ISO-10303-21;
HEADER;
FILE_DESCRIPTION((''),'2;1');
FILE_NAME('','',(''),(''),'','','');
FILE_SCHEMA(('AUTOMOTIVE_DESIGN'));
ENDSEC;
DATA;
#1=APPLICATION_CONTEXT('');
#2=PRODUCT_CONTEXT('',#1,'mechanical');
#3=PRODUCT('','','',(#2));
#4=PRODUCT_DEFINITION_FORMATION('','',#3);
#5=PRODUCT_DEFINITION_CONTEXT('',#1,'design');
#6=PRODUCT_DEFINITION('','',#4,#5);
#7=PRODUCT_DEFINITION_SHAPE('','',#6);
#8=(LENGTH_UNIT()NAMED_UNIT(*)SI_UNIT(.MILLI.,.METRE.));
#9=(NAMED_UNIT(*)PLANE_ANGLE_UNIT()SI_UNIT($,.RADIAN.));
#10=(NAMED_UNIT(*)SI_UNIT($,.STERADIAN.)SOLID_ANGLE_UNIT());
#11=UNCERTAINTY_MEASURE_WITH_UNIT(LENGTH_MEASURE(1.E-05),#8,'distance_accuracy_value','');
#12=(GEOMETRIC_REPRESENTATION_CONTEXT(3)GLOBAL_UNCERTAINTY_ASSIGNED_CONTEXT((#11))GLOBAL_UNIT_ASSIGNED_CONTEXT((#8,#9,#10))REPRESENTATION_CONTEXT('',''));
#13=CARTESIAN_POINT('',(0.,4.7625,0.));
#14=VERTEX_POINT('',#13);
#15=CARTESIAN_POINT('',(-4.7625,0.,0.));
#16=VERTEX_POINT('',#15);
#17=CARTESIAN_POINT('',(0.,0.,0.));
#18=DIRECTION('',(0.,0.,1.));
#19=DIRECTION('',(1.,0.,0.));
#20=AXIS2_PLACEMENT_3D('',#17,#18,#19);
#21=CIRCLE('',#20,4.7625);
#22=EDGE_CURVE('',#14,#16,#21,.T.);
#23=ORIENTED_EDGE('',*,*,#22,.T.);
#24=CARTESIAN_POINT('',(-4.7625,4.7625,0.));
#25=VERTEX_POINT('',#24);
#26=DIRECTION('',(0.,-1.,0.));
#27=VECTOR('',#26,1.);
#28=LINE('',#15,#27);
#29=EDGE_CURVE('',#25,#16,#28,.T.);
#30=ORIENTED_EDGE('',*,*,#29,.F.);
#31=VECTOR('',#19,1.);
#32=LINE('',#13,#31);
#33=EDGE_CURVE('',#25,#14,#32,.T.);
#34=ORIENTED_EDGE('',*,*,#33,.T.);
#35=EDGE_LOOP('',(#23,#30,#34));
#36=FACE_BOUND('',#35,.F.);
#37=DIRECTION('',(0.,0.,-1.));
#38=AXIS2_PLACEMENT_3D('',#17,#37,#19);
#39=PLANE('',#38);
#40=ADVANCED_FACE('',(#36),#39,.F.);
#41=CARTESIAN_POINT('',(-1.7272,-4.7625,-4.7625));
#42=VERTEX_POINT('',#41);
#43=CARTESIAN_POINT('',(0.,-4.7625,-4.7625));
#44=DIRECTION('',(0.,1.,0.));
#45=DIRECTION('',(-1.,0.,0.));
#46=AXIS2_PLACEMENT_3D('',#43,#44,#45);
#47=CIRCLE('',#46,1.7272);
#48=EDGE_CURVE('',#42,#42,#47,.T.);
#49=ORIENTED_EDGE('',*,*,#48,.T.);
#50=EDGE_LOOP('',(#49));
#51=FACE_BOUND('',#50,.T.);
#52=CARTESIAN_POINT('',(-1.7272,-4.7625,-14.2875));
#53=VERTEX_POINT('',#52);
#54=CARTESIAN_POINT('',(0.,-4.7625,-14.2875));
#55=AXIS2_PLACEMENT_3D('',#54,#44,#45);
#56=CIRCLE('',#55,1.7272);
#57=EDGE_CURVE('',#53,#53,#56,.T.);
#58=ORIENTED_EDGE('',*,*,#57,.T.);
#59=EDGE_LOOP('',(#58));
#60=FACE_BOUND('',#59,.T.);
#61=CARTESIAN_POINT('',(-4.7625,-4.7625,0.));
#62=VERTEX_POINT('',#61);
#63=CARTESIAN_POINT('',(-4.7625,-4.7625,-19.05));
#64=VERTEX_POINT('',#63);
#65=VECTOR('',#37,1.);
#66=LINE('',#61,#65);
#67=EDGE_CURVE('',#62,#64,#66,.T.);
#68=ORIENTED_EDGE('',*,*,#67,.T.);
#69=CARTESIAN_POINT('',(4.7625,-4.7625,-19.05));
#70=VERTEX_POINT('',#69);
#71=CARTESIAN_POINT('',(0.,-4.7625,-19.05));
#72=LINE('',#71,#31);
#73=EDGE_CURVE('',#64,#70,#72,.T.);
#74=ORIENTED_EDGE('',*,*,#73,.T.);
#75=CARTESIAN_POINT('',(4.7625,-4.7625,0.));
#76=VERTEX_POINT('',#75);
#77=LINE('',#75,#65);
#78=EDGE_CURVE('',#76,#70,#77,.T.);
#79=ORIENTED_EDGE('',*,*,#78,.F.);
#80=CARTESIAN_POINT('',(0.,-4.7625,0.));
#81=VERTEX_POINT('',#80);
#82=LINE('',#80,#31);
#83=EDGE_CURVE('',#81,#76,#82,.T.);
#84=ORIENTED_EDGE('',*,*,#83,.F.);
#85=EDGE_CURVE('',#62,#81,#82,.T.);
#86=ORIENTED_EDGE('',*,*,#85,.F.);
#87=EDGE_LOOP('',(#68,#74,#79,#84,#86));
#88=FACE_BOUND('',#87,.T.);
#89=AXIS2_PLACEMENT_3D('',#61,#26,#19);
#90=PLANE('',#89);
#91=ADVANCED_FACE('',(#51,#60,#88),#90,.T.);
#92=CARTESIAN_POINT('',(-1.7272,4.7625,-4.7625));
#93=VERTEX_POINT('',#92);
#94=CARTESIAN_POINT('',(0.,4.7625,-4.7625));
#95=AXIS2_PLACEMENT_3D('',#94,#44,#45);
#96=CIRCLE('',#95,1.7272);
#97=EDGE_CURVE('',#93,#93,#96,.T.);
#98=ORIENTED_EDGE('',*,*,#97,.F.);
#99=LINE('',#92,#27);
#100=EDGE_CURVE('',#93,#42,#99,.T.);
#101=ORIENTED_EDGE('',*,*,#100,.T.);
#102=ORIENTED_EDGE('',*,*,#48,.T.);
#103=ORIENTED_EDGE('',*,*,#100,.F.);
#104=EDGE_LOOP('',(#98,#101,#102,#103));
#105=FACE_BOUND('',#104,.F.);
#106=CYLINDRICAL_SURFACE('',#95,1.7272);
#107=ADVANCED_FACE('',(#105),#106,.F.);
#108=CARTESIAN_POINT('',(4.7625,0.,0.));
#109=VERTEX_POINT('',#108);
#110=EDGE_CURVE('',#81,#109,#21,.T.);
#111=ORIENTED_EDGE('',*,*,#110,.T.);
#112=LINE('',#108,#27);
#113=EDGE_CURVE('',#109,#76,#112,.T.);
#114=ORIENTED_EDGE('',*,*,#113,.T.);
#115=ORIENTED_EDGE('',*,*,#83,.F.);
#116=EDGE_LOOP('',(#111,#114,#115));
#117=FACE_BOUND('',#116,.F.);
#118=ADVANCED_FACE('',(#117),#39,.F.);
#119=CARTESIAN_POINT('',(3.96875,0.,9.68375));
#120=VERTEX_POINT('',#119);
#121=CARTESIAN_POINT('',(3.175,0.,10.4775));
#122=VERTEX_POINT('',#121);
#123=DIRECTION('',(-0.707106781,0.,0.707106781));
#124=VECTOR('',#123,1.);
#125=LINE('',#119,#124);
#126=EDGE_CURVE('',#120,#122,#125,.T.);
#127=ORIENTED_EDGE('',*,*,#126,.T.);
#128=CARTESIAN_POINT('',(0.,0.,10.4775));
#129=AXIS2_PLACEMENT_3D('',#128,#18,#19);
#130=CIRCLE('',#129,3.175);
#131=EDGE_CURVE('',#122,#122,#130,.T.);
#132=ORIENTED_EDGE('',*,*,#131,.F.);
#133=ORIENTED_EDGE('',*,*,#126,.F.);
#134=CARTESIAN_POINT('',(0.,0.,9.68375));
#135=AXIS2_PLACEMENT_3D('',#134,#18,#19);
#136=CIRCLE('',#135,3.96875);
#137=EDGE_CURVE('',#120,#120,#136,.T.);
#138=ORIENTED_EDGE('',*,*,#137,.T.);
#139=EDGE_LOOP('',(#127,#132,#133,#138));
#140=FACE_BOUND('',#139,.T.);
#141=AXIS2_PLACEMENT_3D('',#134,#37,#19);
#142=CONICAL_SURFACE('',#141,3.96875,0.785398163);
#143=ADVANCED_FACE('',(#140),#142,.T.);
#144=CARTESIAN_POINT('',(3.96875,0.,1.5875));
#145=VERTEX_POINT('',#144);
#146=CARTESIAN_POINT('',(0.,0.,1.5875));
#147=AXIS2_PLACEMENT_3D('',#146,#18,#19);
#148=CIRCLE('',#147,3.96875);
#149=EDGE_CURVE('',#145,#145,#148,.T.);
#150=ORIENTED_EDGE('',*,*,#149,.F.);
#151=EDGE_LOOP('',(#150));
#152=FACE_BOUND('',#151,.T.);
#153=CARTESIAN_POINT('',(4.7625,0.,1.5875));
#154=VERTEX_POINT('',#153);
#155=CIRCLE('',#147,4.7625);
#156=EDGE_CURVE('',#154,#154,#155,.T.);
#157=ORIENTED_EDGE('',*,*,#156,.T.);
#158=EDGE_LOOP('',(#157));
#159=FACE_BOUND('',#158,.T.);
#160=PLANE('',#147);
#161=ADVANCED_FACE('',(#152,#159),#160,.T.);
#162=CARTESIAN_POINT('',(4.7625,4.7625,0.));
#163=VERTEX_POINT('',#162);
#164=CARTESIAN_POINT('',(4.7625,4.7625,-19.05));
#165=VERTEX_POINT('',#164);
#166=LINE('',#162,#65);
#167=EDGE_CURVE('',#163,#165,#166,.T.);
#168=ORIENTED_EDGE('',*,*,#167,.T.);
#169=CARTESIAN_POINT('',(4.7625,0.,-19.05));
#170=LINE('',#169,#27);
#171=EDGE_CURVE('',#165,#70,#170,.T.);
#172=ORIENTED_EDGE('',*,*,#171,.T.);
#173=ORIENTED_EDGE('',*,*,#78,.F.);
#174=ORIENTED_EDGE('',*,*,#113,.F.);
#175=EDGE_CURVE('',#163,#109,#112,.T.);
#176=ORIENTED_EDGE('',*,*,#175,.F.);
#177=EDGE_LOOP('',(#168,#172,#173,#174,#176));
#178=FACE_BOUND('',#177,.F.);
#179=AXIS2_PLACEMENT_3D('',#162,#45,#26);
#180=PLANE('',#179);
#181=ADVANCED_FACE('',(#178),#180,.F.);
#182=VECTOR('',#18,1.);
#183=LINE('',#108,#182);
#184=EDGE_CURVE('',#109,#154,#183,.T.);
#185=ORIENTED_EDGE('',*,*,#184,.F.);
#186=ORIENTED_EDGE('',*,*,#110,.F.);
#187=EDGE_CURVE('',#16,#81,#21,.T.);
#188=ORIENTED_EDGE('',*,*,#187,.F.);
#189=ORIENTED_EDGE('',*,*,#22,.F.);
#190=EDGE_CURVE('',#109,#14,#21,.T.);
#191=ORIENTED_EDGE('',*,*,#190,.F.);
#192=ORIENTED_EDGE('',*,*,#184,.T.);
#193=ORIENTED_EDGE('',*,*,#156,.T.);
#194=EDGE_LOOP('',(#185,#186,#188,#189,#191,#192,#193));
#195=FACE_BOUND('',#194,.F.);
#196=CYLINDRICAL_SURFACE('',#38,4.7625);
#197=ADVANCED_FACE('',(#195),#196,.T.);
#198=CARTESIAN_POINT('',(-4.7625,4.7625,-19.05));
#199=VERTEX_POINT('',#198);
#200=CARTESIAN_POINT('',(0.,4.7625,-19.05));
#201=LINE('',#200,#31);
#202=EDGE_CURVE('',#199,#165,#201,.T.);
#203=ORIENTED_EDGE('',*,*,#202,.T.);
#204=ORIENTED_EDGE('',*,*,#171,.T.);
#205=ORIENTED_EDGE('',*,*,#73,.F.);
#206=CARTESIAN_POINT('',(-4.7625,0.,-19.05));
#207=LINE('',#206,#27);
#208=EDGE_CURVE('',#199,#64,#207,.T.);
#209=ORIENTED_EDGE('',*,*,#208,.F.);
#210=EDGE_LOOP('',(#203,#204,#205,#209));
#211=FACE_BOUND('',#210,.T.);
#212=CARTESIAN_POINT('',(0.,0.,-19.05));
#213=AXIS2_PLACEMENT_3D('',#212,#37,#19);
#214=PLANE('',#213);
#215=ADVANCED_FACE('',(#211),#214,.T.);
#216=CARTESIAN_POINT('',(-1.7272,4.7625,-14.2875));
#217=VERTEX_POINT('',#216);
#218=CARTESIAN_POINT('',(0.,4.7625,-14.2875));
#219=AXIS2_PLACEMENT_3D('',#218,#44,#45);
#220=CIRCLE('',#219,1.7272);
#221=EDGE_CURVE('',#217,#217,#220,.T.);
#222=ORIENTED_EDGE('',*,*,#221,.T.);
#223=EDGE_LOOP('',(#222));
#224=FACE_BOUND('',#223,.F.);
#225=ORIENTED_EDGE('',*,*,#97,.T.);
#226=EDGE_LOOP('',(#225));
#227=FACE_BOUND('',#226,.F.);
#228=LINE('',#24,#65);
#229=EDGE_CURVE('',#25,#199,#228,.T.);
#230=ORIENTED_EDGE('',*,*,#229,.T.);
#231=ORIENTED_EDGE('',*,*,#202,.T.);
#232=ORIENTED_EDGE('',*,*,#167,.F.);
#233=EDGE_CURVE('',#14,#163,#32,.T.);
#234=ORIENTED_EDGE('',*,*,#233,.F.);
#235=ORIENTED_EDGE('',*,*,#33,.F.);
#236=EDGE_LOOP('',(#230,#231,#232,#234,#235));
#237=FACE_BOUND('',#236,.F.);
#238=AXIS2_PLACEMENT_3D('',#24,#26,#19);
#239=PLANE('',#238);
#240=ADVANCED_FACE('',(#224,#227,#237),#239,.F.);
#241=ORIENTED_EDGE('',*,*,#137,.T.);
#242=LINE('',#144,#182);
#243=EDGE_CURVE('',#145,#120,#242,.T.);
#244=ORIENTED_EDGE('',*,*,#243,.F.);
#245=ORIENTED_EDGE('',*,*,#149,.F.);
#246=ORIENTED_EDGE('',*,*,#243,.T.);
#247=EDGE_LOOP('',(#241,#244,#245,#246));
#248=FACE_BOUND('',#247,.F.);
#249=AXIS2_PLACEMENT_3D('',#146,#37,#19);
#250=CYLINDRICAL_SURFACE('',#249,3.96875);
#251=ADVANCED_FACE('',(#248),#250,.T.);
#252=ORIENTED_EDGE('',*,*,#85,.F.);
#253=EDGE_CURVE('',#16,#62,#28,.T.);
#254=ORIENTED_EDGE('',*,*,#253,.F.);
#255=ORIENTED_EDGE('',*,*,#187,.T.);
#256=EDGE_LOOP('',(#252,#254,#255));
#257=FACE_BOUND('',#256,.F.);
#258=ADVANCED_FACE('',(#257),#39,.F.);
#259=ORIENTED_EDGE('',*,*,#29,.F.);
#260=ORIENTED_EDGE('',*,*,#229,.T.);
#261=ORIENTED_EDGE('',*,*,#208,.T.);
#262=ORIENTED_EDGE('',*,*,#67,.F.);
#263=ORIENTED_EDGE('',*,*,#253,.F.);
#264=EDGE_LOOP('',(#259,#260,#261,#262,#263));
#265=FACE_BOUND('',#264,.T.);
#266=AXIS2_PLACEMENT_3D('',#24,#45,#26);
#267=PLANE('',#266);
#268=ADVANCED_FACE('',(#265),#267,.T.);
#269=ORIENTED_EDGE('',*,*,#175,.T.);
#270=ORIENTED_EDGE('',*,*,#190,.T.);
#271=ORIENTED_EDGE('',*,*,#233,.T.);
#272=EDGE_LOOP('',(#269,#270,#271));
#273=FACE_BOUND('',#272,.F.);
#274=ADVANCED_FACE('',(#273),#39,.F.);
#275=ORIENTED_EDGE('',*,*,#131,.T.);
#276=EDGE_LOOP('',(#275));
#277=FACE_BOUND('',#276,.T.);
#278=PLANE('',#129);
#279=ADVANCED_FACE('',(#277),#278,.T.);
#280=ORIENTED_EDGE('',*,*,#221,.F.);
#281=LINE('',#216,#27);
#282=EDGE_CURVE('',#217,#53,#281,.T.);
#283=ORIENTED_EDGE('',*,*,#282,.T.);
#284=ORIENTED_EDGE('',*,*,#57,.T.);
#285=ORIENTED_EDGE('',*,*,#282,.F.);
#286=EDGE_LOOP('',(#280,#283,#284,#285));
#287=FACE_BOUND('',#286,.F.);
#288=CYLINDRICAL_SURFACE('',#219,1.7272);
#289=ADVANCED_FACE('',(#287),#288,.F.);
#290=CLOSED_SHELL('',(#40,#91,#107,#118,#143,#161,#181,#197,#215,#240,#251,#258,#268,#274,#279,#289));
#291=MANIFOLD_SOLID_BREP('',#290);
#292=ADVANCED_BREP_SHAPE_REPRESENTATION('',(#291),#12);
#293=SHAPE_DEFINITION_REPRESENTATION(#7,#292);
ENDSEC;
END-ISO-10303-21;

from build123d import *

# Parameters (mm, degrees)
F0_R     = 4.7625
F1_DEPTH = 1.5875
F2_R     = 3.96875
F3_DEPTH = 8.89
F4_W     = 9.525
F4_H     = 9.525
F5_DEPTH = 19.05
F6_SIZE  = 0.79375
F7_R     = 1.7272
F8_DEPTH = 9.525


with BuildPart() as f1:
    # F0 (on Top) → F1 (new body)
    with BuildSketch(Plane.XY):
        Circle(F0_R)
    extrude(amount=F1_DEPTH)

    # F2 (on face) → F3 (join)
    with BuildSketch(Plane.XY.offset(1.5875)):
        Circle(F2_R)
    extrude(amount=F3_DEPTH)

    # F4 (on face) → F5 (join)
    with BuildSketch(Plane(origin=(0, 0, 0), x_dir=(1, 0, 0), z_dir=(0, 0, -1))):
        Rectangle(F4_W, F4_H)
    extrude(amount=F5_DEPTH)

    # F6
    f6_edges = [f1.edges().sort_by_distance(p)[0] for p in [
        (-3.96875, 0, 10.4775),
    ]]
    chamfer(f6_edges, length=F6_SIZE)

    # F7 (on face) → F8 (cut, through all)
    with BuildSketch(Plane(origin=(0, 4.7625, 0), x_dir=(-1, 0, 0), z_dir=(0, 1, 0))):
        with Locations((0, -4.7625)):
            Circle(F7_R)
        with Locations((0, -14.2875)):
            Circle(F7_R)
    extrude(amount=-F8_DEPTH, mode=Mode.SUBTRACT)


solid = f1.part
